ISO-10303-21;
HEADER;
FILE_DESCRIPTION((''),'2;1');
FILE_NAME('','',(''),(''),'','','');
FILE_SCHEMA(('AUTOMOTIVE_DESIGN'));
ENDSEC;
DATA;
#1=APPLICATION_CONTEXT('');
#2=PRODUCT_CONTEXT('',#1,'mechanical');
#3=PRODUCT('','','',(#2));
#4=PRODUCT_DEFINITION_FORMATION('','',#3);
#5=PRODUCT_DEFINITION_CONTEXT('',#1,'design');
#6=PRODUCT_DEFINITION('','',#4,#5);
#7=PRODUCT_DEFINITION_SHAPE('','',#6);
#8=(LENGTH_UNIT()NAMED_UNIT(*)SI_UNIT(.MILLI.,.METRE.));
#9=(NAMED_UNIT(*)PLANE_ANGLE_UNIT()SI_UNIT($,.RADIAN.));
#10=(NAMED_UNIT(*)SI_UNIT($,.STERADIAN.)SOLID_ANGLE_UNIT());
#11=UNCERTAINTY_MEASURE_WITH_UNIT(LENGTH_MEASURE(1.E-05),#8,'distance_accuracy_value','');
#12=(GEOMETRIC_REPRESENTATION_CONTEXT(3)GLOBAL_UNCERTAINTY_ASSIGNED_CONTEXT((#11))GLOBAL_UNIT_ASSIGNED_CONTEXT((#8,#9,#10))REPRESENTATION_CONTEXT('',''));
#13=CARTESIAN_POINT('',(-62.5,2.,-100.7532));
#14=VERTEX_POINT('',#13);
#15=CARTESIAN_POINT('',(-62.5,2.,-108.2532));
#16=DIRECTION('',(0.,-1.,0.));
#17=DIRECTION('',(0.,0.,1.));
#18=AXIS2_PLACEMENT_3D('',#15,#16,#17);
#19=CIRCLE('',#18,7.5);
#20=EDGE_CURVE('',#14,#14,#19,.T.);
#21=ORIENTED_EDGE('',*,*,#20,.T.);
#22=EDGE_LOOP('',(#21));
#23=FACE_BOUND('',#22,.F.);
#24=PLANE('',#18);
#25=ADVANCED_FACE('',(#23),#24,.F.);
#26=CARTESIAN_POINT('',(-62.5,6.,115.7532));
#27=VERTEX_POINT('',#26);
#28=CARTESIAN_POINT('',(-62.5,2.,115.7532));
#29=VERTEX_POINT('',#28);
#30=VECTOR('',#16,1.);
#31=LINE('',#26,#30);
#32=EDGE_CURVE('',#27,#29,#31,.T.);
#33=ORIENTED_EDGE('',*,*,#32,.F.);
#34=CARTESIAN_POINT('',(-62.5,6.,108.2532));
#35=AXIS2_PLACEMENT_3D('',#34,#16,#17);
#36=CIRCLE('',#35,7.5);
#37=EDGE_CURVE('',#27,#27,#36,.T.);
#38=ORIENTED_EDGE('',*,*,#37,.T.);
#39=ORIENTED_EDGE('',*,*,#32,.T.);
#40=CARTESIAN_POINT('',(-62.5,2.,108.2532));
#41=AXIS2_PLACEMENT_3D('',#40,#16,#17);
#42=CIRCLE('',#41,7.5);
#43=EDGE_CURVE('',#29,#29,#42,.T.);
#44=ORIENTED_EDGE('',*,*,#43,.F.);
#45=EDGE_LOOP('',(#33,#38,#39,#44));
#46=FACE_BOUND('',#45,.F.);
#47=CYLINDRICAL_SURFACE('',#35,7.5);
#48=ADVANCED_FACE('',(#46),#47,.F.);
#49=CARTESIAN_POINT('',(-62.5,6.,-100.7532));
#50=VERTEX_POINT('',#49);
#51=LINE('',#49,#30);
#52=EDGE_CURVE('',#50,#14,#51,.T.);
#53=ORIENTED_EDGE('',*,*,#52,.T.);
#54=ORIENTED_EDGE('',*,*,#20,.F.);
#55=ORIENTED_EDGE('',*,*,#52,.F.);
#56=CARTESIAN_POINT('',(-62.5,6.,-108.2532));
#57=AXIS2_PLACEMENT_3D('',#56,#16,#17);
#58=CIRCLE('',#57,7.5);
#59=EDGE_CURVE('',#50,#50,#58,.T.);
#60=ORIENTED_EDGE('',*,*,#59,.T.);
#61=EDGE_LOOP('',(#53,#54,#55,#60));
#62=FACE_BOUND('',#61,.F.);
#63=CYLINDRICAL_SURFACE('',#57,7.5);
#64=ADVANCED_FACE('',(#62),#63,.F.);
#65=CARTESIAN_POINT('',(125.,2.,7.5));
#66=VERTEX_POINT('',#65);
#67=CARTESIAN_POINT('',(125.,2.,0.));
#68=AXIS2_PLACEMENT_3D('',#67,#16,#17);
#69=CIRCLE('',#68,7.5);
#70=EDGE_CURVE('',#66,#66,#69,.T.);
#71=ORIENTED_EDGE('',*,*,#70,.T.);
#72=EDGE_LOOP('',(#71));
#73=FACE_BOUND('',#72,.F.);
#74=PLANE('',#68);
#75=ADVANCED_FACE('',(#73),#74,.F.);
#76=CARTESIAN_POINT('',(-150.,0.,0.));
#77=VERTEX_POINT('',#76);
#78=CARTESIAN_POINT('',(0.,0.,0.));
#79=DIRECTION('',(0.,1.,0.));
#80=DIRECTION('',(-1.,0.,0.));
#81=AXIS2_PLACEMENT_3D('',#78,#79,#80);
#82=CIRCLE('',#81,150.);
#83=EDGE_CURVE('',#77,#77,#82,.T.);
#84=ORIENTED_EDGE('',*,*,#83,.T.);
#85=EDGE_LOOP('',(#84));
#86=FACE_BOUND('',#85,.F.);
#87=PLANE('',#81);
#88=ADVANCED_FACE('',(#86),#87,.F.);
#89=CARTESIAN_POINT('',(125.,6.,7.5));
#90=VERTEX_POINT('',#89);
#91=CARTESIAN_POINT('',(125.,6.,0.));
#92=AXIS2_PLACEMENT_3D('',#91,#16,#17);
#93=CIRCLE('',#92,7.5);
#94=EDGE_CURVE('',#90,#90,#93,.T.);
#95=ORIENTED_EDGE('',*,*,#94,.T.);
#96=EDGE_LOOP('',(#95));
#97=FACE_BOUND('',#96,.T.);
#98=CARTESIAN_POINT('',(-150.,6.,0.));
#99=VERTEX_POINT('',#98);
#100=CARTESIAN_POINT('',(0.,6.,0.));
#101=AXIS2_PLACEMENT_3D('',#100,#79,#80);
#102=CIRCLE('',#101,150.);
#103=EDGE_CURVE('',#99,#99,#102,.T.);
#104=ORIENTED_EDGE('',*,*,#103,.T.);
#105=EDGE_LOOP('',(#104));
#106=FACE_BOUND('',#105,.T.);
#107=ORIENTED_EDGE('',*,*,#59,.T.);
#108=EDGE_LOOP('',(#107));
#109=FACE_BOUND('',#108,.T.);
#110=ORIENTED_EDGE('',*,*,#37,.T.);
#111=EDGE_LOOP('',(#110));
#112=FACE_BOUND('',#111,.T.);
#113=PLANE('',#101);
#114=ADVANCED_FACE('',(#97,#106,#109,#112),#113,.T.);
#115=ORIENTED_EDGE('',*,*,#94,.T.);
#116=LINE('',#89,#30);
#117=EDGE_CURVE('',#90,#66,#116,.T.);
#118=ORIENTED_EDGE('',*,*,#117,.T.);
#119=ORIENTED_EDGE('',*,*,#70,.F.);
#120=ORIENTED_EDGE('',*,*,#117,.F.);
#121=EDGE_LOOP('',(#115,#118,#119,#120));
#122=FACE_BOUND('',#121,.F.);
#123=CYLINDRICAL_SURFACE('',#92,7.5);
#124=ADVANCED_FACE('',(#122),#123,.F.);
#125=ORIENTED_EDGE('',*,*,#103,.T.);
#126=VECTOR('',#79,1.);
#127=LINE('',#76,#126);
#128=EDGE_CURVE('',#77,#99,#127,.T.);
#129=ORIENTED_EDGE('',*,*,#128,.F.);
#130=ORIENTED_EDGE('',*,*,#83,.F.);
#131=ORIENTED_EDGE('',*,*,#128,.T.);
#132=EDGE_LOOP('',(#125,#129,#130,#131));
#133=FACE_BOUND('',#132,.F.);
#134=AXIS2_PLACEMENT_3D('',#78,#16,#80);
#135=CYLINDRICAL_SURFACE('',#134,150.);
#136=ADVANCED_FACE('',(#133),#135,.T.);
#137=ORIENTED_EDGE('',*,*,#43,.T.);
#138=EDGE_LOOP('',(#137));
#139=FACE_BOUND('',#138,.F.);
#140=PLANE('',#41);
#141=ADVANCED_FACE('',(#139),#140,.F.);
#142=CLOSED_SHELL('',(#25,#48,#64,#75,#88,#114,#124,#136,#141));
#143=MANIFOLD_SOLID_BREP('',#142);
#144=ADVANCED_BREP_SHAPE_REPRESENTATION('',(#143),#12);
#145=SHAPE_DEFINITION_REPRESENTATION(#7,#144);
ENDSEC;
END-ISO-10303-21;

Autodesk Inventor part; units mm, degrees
ref_plane "YZ Plane" through (0, 0, 0) normal (1, 0, 0) x (0, 1, 0)
ref_plane "XZ Plane" through (0, 0, 0) normal (0, 1, 0) x (-1, 0, 0)
ref_plane "XY Plane" through (0, 0, 0) normal (0, 0, 1) x (1, 0, 0)
sketch "Sketch6" plane through (0, 0, 0) normal (0, 1, 0) x (-1, 0, 0)
  circle A0 centre (0, 0) radius 150
  dimension "d17" = 300
extrude "Extrusion3" add sketch "Sketch6" along normal blind 6
sketch "Sketch7" plane through (0, 6, 0) normal (0, 1, 0) x (1, 0, 0)
  circle A0 centre (0, 0) radius 125
  line L0 (125, 0) -> (-62.5, 108.2532) construction
  line L1 (-62.5, 108.2532) -> (-62.5, -108.2532) construction
  line L2 (-62.5, -108.2532) -> (125, 0) construction
  line L3 (0, 0) -> (125, 0) construction
  line L4 (-62.5, -108.2532) -> (0, 0) construction
  line L5 (0, 0) -> (-62.5, 108.2532) construction
  dimension "d20" = 250
hole "Hole2" at (125, 6, 0) direction (0, -1, 0) diameter 15 depth 4
hole "Hole3" at (-62.5, 6, 108.2532) direction (0, -1, 0) diameter 15 depth 4
hole "Hole4" at (-62.5, 6, -108.2532) direction (0, -1, 0) diameter 15 depth 4
properties part number "Fußßß"
